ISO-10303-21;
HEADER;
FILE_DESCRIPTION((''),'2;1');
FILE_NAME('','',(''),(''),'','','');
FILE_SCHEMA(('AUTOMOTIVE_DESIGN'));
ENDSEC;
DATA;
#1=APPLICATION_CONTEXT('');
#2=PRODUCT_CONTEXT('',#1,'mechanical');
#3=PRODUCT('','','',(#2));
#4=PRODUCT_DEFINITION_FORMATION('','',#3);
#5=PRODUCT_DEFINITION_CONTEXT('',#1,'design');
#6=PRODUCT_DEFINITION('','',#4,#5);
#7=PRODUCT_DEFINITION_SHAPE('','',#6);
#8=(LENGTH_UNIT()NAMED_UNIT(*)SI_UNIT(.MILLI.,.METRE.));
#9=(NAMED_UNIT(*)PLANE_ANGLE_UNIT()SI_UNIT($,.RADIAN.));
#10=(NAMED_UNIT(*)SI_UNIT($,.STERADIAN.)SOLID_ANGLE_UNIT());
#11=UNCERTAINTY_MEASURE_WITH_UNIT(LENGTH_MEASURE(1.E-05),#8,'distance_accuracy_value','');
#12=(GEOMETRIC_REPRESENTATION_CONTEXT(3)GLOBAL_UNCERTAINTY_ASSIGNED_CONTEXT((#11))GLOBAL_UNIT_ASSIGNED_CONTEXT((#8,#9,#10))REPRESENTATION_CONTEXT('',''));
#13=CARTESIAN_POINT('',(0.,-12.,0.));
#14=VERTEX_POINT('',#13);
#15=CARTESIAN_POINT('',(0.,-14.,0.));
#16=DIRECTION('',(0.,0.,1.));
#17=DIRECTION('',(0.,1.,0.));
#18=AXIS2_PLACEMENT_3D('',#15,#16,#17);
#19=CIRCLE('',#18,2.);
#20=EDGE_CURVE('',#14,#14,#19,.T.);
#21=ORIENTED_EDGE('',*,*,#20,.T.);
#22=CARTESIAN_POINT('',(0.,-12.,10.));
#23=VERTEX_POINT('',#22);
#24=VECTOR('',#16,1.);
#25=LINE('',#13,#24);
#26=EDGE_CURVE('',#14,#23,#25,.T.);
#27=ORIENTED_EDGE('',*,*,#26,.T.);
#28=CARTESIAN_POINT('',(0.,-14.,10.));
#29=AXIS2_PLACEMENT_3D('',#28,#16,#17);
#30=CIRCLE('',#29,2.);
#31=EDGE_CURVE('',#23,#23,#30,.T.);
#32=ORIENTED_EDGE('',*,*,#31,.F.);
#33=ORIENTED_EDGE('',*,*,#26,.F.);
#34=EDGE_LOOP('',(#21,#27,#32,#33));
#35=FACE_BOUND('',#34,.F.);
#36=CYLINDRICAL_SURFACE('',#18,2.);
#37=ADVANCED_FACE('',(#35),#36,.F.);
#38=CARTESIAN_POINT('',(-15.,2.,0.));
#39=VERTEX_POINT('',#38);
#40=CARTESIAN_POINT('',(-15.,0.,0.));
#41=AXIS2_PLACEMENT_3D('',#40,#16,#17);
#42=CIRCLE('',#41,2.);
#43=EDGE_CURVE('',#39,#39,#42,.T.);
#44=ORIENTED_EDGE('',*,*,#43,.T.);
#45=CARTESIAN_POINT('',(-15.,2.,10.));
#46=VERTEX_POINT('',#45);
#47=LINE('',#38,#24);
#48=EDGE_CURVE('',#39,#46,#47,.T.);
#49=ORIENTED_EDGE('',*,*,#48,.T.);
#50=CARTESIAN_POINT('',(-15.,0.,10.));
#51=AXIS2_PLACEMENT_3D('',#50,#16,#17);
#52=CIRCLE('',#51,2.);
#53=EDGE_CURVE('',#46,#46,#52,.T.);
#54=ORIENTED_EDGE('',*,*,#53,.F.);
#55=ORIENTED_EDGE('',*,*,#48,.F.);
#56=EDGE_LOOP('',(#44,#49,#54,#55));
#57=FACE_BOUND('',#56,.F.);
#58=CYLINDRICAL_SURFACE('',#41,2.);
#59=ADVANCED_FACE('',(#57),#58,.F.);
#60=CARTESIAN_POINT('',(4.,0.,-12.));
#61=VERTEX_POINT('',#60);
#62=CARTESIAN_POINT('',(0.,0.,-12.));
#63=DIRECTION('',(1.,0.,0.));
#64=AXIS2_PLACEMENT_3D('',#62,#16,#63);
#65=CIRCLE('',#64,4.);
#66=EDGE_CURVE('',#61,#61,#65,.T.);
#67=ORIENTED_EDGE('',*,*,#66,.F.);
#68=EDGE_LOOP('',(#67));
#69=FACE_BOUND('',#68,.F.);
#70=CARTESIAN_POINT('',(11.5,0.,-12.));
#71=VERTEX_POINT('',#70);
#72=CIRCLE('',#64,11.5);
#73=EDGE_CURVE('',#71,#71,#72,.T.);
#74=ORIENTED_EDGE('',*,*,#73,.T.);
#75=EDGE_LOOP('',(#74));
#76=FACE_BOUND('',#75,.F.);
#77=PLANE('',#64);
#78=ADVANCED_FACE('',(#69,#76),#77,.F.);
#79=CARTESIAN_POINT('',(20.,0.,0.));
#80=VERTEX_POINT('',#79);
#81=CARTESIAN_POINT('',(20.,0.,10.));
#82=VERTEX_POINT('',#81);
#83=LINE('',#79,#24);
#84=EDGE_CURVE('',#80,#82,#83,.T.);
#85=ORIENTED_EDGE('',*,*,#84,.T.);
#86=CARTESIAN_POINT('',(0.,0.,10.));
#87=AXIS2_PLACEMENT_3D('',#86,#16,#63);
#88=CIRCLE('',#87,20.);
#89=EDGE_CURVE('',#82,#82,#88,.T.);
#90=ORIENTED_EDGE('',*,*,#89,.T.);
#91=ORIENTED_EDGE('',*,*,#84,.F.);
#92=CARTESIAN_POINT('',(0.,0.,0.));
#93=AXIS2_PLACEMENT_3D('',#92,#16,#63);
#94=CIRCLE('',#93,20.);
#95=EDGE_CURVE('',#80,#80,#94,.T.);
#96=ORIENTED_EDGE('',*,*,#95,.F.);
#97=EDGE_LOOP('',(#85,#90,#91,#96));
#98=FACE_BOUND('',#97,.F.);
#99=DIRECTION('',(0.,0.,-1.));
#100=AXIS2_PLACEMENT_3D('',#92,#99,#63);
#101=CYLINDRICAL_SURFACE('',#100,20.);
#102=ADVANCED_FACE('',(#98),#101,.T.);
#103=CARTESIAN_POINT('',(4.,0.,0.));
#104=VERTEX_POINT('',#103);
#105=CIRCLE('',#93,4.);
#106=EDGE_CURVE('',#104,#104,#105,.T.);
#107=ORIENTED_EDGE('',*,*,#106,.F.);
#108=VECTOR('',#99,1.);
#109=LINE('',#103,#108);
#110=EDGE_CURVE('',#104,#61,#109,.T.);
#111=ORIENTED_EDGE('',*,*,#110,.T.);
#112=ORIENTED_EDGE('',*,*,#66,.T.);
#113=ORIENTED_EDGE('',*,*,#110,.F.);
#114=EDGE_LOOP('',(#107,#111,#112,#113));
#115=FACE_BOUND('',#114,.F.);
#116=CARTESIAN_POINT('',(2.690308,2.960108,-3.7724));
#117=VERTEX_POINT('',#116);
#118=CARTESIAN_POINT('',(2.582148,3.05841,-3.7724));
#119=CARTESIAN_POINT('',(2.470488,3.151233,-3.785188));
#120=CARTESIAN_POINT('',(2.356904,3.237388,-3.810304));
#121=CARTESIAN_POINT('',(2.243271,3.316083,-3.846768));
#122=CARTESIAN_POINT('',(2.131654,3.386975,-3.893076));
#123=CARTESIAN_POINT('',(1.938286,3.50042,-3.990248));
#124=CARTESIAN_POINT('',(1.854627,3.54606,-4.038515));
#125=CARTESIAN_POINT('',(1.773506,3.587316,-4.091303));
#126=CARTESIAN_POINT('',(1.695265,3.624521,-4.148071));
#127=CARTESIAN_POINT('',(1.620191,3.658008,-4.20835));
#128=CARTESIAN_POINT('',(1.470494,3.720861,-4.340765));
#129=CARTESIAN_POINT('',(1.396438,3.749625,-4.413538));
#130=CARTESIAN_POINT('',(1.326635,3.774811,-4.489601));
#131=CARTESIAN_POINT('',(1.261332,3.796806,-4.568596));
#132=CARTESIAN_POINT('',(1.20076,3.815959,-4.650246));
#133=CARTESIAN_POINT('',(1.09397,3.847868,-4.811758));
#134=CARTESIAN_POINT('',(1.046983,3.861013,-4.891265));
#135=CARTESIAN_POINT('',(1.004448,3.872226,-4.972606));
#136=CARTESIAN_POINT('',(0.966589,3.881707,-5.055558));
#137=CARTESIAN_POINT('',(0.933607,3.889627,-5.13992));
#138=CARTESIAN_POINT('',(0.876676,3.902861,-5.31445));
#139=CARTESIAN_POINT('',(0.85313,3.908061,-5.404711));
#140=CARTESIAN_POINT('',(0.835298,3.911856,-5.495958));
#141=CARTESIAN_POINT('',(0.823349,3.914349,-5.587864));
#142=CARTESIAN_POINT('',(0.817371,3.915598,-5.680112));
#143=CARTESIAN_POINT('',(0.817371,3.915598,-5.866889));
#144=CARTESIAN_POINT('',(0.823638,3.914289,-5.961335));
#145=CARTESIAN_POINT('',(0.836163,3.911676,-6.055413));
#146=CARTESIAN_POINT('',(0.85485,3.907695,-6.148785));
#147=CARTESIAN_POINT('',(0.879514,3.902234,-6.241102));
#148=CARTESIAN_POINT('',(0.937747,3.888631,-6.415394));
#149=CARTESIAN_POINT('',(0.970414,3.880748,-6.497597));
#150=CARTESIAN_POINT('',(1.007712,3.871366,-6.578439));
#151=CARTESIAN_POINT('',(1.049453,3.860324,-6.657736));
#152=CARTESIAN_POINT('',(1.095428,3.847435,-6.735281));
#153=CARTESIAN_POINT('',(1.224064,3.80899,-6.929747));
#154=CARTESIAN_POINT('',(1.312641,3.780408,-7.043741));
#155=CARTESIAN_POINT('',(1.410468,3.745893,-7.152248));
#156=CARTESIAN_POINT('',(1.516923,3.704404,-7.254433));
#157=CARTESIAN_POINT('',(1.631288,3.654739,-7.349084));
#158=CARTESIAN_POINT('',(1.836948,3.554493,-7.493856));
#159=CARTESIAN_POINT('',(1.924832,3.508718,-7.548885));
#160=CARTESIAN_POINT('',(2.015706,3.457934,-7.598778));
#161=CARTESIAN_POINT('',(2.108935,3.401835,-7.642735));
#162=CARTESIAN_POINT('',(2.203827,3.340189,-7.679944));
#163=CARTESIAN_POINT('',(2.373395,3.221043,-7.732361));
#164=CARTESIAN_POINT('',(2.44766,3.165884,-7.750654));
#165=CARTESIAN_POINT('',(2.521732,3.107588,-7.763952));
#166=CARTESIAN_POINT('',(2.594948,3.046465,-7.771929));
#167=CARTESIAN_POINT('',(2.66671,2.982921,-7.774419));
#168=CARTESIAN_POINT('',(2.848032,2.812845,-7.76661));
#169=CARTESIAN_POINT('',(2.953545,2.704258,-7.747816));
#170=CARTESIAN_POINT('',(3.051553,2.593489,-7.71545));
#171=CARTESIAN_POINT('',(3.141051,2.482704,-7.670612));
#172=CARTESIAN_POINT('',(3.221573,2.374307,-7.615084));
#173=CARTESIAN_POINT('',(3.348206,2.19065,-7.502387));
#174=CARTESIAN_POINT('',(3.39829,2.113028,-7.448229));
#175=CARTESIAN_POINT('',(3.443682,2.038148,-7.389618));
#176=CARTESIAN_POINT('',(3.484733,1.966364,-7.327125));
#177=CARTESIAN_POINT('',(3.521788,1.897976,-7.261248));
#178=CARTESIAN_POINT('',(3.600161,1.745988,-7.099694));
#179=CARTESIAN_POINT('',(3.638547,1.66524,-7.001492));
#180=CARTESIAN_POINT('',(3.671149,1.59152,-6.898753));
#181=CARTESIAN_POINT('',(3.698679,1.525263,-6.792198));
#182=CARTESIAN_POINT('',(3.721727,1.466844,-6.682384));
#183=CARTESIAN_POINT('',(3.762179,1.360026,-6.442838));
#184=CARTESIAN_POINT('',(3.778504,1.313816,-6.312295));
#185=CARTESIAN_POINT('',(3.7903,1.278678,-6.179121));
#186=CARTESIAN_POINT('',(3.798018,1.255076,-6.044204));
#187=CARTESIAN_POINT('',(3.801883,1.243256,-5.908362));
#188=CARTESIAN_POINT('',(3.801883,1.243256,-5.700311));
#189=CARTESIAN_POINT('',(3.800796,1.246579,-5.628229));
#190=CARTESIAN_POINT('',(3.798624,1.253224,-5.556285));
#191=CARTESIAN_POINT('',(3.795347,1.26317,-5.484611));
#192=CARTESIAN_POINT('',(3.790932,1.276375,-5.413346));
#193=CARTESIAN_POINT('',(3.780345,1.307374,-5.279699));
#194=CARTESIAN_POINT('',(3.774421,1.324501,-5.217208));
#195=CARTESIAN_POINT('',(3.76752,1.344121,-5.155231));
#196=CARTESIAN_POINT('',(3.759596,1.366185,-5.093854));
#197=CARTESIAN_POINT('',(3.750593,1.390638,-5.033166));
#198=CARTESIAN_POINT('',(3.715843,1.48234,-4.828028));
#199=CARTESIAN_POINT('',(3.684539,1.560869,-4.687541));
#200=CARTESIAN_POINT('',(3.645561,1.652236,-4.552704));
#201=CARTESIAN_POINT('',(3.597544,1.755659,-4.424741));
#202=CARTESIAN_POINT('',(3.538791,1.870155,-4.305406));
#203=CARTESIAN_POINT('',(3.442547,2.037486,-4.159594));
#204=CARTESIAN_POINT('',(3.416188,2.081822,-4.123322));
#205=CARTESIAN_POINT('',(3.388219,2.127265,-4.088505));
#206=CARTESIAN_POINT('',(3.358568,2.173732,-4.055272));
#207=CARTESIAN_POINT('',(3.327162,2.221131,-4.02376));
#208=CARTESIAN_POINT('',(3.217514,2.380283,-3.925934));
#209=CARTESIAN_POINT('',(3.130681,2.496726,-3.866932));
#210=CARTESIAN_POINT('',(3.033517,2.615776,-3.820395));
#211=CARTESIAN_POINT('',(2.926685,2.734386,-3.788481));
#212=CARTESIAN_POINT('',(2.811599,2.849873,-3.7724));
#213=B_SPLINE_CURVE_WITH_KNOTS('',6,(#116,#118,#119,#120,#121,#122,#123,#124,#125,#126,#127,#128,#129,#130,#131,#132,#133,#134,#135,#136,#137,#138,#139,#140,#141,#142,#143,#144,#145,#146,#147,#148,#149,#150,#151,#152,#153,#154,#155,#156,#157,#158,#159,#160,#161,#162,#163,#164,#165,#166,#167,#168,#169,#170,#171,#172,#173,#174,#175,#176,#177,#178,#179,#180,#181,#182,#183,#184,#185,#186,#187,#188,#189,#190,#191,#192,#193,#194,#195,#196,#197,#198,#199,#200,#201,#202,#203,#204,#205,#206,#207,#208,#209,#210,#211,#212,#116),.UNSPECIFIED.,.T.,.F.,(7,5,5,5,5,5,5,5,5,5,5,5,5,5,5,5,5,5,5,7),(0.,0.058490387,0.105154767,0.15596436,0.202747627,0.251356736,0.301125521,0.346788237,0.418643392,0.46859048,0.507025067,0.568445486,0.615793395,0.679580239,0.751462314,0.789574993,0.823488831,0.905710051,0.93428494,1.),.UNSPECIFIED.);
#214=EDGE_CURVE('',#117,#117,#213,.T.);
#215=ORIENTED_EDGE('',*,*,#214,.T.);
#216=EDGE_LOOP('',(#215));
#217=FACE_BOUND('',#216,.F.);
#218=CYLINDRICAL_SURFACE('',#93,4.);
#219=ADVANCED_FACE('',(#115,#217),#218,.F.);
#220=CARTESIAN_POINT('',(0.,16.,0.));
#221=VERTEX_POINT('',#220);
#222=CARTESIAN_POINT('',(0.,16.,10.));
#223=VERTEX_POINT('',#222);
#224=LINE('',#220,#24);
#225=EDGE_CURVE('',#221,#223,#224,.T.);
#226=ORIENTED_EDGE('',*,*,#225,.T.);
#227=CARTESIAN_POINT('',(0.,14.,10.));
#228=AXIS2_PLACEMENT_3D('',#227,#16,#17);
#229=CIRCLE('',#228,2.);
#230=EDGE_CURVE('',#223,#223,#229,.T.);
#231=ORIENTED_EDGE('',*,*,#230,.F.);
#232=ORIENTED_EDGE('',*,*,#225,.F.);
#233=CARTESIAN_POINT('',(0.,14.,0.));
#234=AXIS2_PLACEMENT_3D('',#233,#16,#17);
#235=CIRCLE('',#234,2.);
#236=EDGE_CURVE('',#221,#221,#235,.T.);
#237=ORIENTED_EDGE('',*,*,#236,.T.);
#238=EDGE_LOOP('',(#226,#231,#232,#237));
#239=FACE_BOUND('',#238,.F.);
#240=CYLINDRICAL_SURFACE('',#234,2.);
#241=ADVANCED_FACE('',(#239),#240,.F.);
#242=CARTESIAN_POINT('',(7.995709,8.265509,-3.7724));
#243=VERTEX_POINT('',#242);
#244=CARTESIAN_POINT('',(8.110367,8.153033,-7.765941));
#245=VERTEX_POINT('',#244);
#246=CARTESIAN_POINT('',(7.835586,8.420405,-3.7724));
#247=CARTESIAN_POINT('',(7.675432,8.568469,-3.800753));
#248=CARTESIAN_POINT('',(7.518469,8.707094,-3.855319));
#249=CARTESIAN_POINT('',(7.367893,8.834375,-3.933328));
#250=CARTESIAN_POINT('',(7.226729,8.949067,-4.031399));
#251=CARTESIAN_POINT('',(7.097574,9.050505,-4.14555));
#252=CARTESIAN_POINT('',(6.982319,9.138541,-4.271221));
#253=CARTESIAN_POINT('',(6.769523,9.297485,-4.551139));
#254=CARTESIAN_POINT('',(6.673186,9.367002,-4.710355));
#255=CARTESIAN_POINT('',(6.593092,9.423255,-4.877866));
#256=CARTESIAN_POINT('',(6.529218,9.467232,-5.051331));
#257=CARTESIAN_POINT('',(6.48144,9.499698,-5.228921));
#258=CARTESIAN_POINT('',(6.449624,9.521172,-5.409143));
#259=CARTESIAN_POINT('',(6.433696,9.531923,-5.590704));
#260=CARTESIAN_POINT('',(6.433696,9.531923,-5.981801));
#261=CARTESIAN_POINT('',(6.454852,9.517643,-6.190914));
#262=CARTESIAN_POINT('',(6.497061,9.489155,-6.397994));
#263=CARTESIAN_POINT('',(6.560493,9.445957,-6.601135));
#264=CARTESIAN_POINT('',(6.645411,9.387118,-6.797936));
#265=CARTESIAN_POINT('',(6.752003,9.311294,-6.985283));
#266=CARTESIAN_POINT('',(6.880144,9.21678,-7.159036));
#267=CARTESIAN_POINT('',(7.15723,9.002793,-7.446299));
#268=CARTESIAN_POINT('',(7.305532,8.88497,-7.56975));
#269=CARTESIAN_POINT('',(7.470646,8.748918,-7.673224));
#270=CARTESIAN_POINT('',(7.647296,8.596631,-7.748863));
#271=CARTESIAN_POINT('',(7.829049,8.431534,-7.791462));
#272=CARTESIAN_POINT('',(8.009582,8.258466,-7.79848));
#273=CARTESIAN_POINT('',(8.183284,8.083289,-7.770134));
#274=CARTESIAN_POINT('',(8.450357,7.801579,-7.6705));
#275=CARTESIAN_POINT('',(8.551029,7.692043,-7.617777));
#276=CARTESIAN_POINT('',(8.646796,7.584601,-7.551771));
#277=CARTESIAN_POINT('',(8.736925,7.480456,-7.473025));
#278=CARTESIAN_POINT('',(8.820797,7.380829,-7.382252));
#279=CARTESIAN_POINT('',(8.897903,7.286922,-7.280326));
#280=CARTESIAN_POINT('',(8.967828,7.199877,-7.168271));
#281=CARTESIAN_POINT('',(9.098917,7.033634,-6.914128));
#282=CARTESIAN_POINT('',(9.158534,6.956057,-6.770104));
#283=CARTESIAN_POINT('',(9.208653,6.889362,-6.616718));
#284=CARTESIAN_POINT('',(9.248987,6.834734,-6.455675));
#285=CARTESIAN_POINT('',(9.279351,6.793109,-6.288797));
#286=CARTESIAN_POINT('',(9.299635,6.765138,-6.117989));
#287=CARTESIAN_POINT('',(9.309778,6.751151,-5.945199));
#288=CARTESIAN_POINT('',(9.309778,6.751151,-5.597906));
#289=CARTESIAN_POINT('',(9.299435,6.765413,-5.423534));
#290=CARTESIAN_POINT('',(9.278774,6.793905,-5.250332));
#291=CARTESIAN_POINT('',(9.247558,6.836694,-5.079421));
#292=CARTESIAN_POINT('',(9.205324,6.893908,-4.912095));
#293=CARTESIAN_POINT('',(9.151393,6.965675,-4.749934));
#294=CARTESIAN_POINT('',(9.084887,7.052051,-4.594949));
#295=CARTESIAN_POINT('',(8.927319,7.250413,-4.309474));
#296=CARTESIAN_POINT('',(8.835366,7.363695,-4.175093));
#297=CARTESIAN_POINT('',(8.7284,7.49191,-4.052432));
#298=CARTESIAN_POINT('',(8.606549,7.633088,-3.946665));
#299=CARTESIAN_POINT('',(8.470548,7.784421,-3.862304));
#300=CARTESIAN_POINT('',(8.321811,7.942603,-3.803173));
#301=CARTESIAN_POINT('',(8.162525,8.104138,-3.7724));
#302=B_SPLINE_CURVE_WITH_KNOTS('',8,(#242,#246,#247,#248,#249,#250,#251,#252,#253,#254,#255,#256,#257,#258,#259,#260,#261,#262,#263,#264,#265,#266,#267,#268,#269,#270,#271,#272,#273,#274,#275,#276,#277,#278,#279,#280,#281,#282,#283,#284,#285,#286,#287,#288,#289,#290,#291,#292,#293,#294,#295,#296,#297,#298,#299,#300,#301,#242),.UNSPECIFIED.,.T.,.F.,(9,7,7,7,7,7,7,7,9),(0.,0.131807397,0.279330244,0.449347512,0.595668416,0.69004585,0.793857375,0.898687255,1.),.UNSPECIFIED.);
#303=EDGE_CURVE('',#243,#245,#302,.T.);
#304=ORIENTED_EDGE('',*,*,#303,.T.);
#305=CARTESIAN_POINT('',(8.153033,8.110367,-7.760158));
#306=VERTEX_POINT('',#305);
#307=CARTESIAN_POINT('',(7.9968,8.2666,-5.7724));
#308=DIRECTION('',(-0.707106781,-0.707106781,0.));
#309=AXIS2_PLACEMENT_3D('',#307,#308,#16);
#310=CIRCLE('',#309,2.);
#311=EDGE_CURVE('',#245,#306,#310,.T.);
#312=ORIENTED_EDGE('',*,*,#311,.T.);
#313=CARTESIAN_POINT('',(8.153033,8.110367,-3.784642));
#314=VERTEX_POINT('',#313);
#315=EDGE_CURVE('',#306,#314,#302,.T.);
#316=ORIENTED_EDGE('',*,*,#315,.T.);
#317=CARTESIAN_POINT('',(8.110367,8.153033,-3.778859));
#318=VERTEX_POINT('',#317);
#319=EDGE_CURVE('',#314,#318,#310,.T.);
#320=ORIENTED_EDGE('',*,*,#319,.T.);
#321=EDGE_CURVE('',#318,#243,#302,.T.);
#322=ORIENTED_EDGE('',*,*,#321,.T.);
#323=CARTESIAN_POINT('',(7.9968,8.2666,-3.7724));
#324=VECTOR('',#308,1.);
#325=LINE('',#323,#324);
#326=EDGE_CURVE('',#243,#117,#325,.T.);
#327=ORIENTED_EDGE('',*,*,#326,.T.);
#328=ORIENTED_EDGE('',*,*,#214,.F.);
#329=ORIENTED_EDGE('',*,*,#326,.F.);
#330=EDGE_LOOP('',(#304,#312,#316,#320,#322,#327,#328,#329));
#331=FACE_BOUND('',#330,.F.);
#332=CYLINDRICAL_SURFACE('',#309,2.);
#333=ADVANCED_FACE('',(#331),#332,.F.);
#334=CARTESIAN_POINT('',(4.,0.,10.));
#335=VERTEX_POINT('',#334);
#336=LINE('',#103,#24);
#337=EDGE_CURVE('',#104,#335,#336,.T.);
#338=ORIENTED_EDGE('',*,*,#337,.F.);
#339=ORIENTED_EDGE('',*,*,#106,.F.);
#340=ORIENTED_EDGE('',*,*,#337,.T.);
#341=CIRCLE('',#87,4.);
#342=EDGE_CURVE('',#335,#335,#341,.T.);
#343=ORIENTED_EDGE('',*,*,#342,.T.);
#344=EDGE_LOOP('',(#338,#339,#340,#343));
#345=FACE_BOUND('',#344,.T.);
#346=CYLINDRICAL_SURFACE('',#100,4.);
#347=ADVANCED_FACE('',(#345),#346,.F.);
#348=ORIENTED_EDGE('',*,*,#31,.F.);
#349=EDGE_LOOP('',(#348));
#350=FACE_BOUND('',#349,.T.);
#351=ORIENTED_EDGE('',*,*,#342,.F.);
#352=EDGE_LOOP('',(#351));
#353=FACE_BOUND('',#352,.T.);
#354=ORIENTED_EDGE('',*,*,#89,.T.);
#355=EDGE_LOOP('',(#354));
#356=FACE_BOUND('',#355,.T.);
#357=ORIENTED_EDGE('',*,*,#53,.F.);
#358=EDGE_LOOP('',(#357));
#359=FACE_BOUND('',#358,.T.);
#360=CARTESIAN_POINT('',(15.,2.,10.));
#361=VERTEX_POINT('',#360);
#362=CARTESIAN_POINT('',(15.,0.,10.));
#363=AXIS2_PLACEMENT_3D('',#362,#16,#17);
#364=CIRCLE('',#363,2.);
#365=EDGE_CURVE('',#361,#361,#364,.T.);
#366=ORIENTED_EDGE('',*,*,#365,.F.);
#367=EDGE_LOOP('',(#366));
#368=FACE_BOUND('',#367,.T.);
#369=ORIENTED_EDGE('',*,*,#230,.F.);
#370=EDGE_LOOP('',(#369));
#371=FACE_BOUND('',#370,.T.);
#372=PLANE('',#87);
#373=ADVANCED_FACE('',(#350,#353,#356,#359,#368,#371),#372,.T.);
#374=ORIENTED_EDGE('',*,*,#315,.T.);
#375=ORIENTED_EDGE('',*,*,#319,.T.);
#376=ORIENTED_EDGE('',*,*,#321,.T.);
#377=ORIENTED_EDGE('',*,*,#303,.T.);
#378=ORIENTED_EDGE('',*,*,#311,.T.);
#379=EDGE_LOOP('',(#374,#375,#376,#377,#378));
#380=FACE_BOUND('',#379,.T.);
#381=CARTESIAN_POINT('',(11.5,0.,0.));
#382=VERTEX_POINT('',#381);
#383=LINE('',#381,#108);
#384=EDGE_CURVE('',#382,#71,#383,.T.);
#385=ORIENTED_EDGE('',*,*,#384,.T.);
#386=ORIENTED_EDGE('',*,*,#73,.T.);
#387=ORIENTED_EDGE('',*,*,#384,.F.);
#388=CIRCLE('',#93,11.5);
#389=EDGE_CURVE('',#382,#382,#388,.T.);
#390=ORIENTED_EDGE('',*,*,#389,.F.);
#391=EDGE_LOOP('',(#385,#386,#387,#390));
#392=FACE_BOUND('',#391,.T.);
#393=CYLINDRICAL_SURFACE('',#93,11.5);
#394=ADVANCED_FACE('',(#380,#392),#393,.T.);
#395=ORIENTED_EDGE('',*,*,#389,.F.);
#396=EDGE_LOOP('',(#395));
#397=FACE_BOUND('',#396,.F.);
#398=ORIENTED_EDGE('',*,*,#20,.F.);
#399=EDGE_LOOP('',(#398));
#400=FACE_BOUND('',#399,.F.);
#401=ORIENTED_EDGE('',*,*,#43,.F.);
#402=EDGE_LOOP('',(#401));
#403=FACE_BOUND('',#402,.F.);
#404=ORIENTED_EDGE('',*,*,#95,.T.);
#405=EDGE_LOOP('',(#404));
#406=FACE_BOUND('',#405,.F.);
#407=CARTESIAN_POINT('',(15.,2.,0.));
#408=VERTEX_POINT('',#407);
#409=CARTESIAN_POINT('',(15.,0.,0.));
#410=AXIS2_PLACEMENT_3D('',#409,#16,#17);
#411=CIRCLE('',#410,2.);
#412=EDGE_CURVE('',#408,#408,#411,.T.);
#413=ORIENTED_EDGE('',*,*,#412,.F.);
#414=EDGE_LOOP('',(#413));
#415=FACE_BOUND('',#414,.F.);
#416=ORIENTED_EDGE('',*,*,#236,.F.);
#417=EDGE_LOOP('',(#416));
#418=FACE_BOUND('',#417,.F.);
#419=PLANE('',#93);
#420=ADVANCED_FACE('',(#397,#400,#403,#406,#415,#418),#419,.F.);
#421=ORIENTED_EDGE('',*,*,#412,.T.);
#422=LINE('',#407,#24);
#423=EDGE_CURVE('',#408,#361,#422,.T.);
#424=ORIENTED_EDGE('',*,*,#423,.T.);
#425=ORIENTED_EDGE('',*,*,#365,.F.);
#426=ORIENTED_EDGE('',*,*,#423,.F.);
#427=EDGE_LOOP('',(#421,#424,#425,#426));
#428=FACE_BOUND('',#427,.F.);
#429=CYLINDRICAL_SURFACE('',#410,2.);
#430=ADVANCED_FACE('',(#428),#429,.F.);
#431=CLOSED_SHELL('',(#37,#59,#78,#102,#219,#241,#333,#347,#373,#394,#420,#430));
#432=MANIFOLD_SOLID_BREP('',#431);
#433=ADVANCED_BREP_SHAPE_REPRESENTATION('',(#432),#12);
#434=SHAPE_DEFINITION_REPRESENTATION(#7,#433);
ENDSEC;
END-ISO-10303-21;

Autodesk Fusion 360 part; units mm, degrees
sketch "Sketch1" plane through (0, 0, 0) normal (0, 0, 1) x (1, 0, 0)
  circle A0 centre (0, 0) radius 20
  circle A1 centre (0, 0) radius 4
  circle A2 centre (0, 0) radius 11.5
  point P0 (-15, 0)
  point P1 (15, 0)
  point P2 (0, 14)
  point P3 (0, -14)
  dimension "d1" = 40
  dimension "d2" = 8
  dimension "d3" = 15
  dimension "d4" = 15
  dimension "d5" = 14
  dimension "d6" = 14
  dimension "d7" = 23
extrude "Extrude1" add sketch "Sketch1" along normal blind 10 contours A0 | A2
extrude "Extrude2" add sketch "Sketch1" against normal blind 12 contours A2
hole "Hole1" at (0, 14, 0) at (15, 0, 0) at (0, -14, 0) at (-15, 0, 0) direction (0, 0, 1) diameter 4 depth 20 tip angle 118
ref_plane "WorkPlane1" through (8.1317, 8.1317, -4.9786) normal (0.7071, 0.7071, 0) x (-0.7071, 0.7071, 0)
hole "Hole2" at (7.9968, 8.2666, -5.7724) direction (-0.7071, -0.7071, 0) diameter 4 depth 12 tip angle 118
